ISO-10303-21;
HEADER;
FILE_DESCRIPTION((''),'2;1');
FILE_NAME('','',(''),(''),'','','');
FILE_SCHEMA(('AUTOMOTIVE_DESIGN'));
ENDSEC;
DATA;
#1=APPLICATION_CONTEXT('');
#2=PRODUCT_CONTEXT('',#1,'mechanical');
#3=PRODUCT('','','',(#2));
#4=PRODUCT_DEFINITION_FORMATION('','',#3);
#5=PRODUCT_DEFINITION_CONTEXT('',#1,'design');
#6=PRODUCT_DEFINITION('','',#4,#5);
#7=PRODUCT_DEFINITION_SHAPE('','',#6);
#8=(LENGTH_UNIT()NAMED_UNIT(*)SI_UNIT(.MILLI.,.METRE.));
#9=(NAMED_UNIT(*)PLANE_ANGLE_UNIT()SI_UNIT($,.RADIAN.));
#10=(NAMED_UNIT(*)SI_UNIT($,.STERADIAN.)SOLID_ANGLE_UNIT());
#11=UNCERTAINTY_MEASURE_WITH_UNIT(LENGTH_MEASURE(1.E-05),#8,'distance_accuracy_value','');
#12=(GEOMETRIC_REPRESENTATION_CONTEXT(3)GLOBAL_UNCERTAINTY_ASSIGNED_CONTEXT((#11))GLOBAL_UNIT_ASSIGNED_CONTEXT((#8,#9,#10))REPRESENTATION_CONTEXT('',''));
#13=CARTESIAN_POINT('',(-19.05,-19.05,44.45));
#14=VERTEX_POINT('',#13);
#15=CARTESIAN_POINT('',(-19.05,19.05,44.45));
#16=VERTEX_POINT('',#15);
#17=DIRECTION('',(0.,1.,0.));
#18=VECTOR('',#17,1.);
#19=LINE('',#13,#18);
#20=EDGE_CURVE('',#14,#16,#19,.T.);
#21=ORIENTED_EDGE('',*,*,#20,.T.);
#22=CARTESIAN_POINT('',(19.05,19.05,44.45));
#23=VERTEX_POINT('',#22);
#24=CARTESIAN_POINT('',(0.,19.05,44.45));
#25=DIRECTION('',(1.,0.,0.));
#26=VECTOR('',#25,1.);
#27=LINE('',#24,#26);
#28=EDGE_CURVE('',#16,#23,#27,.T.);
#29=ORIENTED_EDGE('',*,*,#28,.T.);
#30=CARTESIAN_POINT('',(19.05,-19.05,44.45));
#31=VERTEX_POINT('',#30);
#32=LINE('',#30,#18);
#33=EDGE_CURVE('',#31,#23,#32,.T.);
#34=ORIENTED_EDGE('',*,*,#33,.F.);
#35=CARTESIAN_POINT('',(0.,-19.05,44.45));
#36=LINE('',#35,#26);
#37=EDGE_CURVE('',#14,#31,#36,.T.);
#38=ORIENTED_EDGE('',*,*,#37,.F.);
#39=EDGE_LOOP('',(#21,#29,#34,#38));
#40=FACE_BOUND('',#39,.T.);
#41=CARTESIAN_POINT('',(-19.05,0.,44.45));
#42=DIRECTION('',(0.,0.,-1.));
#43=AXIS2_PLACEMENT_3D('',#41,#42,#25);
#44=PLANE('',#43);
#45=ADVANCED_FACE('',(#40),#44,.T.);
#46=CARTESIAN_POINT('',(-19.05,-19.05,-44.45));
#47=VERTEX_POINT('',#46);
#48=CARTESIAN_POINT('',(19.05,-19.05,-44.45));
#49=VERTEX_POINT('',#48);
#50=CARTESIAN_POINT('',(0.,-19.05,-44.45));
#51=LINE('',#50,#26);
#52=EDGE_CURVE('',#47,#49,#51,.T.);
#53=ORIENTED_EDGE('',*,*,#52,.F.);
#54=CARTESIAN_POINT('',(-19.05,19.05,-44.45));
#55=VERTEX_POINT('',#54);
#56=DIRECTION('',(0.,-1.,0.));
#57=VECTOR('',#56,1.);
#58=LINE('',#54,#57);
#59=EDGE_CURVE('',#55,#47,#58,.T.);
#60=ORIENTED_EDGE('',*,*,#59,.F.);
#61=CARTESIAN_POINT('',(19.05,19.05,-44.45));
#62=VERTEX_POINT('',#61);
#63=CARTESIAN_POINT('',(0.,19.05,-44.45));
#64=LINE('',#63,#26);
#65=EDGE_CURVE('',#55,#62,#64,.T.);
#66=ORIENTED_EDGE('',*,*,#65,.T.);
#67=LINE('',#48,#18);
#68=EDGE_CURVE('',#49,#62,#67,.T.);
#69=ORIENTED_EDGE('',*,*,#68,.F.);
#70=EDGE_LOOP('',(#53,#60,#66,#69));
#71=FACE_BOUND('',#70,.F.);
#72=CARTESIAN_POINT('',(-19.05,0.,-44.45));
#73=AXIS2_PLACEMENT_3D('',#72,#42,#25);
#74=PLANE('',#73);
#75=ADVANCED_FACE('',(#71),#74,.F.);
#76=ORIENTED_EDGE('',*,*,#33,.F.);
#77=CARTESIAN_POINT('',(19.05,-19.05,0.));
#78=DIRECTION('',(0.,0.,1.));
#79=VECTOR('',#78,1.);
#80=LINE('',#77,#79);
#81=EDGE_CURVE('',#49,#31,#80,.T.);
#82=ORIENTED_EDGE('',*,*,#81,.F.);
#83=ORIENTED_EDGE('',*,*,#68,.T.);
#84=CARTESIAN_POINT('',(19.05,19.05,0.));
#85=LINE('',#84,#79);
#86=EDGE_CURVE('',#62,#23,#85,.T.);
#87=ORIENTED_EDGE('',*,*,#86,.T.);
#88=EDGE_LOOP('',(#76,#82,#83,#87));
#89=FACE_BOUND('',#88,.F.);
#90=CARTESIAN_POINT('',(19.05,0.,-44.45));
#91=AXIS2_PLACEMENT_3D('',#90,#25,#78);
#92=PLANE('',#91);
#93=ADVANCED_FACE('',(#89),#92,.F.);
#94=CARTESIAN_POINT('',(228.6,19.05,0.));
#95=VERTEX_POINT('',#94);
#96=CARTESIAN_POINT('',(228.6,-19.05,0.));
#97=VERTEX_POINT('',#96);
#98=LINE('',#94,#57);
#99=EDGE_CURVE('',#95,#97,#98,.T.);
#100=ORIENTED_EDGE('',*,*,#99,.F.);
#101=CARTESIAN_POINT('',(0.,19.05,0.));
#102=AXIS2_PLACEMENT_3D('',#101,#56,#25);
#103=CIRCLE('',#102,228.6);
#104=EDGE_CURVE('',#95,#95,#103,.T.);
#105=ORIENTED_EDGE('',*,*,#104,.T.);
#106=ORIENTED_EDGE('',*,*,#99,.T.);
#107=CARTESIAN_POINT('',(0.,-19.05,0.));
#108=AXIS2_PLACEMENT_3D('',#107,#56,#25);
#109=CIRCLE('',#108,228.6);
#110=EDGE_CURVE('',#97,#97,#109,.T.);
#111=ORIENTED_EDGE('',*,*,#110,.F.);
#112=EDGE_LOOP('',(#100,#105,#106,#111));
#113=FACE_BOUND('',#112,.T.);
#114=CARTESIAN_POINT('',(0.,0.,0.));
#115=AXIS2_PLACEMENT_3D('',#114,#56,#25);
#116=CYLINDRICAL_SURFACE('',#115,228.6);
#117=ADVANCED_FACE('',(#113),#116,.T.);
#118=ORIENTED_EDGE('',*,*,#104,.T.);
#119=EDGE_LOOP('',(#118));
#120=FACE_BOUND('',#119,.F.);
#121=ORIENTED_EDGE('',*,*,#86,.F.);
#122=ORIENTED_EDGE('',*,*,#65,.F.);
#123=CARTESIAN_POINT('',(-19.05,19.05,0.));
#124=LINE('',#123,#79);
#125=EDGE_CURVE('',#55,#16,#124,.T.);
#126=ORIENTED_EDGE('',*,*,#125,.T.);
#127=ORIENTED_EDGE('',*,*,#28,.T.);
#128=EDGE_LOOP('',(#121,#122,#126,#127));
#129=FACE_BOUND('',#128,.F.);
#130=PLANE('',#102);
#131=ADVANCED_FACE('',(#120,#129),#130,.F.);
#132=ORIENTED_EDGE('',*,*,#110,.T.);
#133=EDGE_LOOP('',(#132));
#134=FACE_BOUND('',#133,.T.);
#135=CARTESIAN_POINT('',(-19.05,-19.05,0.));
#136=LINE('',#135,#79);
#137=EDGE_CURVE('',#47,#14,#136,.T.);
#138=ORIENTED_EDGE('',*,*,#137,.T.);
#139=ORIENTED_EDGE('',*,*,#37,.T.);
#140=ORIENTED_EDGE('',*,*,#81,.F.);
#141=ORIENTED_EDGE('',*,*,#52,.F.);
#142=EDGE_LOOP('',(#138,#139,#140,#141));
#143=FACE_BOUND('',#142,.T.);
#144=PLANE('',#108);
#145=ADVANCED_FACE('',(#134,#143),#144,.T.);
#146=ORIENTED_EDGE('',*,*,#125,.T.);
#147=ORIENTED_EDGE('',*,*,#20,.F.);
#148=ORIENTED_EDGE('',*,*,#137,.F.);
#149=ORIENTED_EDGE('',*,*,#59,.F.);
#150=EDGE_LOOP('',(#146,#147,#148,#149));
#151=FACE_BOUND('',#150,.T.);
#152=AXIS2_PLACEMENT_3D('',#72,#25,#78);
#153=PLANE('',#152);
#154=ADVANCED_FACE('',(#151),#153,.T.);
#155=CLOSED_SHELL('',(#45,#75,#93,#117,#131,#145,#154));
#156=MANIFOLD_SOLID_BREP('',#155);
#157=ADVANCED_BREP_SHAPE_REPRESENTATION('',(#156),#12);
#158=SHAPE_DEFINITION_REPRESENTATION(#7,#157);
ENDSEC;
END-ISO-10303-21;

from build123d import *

# Parameters (mm, degrees)
F0_R     = 228.6
F0_W     = 38.1
F0_H     = 88.9
F1_DEPTH = 19.05


with BuildPart() as f1:
    # F0 (on Front) → F1 (new body, symmetric)
    with BuildSketch(Plane.XZ):
        Circle(F0_R)
        Rectangle(F0_W, F0_H, mode=Mode.SUBTRACT)
    extrude(amount=F1_DEPTH, both=True)


solid = f1.part
